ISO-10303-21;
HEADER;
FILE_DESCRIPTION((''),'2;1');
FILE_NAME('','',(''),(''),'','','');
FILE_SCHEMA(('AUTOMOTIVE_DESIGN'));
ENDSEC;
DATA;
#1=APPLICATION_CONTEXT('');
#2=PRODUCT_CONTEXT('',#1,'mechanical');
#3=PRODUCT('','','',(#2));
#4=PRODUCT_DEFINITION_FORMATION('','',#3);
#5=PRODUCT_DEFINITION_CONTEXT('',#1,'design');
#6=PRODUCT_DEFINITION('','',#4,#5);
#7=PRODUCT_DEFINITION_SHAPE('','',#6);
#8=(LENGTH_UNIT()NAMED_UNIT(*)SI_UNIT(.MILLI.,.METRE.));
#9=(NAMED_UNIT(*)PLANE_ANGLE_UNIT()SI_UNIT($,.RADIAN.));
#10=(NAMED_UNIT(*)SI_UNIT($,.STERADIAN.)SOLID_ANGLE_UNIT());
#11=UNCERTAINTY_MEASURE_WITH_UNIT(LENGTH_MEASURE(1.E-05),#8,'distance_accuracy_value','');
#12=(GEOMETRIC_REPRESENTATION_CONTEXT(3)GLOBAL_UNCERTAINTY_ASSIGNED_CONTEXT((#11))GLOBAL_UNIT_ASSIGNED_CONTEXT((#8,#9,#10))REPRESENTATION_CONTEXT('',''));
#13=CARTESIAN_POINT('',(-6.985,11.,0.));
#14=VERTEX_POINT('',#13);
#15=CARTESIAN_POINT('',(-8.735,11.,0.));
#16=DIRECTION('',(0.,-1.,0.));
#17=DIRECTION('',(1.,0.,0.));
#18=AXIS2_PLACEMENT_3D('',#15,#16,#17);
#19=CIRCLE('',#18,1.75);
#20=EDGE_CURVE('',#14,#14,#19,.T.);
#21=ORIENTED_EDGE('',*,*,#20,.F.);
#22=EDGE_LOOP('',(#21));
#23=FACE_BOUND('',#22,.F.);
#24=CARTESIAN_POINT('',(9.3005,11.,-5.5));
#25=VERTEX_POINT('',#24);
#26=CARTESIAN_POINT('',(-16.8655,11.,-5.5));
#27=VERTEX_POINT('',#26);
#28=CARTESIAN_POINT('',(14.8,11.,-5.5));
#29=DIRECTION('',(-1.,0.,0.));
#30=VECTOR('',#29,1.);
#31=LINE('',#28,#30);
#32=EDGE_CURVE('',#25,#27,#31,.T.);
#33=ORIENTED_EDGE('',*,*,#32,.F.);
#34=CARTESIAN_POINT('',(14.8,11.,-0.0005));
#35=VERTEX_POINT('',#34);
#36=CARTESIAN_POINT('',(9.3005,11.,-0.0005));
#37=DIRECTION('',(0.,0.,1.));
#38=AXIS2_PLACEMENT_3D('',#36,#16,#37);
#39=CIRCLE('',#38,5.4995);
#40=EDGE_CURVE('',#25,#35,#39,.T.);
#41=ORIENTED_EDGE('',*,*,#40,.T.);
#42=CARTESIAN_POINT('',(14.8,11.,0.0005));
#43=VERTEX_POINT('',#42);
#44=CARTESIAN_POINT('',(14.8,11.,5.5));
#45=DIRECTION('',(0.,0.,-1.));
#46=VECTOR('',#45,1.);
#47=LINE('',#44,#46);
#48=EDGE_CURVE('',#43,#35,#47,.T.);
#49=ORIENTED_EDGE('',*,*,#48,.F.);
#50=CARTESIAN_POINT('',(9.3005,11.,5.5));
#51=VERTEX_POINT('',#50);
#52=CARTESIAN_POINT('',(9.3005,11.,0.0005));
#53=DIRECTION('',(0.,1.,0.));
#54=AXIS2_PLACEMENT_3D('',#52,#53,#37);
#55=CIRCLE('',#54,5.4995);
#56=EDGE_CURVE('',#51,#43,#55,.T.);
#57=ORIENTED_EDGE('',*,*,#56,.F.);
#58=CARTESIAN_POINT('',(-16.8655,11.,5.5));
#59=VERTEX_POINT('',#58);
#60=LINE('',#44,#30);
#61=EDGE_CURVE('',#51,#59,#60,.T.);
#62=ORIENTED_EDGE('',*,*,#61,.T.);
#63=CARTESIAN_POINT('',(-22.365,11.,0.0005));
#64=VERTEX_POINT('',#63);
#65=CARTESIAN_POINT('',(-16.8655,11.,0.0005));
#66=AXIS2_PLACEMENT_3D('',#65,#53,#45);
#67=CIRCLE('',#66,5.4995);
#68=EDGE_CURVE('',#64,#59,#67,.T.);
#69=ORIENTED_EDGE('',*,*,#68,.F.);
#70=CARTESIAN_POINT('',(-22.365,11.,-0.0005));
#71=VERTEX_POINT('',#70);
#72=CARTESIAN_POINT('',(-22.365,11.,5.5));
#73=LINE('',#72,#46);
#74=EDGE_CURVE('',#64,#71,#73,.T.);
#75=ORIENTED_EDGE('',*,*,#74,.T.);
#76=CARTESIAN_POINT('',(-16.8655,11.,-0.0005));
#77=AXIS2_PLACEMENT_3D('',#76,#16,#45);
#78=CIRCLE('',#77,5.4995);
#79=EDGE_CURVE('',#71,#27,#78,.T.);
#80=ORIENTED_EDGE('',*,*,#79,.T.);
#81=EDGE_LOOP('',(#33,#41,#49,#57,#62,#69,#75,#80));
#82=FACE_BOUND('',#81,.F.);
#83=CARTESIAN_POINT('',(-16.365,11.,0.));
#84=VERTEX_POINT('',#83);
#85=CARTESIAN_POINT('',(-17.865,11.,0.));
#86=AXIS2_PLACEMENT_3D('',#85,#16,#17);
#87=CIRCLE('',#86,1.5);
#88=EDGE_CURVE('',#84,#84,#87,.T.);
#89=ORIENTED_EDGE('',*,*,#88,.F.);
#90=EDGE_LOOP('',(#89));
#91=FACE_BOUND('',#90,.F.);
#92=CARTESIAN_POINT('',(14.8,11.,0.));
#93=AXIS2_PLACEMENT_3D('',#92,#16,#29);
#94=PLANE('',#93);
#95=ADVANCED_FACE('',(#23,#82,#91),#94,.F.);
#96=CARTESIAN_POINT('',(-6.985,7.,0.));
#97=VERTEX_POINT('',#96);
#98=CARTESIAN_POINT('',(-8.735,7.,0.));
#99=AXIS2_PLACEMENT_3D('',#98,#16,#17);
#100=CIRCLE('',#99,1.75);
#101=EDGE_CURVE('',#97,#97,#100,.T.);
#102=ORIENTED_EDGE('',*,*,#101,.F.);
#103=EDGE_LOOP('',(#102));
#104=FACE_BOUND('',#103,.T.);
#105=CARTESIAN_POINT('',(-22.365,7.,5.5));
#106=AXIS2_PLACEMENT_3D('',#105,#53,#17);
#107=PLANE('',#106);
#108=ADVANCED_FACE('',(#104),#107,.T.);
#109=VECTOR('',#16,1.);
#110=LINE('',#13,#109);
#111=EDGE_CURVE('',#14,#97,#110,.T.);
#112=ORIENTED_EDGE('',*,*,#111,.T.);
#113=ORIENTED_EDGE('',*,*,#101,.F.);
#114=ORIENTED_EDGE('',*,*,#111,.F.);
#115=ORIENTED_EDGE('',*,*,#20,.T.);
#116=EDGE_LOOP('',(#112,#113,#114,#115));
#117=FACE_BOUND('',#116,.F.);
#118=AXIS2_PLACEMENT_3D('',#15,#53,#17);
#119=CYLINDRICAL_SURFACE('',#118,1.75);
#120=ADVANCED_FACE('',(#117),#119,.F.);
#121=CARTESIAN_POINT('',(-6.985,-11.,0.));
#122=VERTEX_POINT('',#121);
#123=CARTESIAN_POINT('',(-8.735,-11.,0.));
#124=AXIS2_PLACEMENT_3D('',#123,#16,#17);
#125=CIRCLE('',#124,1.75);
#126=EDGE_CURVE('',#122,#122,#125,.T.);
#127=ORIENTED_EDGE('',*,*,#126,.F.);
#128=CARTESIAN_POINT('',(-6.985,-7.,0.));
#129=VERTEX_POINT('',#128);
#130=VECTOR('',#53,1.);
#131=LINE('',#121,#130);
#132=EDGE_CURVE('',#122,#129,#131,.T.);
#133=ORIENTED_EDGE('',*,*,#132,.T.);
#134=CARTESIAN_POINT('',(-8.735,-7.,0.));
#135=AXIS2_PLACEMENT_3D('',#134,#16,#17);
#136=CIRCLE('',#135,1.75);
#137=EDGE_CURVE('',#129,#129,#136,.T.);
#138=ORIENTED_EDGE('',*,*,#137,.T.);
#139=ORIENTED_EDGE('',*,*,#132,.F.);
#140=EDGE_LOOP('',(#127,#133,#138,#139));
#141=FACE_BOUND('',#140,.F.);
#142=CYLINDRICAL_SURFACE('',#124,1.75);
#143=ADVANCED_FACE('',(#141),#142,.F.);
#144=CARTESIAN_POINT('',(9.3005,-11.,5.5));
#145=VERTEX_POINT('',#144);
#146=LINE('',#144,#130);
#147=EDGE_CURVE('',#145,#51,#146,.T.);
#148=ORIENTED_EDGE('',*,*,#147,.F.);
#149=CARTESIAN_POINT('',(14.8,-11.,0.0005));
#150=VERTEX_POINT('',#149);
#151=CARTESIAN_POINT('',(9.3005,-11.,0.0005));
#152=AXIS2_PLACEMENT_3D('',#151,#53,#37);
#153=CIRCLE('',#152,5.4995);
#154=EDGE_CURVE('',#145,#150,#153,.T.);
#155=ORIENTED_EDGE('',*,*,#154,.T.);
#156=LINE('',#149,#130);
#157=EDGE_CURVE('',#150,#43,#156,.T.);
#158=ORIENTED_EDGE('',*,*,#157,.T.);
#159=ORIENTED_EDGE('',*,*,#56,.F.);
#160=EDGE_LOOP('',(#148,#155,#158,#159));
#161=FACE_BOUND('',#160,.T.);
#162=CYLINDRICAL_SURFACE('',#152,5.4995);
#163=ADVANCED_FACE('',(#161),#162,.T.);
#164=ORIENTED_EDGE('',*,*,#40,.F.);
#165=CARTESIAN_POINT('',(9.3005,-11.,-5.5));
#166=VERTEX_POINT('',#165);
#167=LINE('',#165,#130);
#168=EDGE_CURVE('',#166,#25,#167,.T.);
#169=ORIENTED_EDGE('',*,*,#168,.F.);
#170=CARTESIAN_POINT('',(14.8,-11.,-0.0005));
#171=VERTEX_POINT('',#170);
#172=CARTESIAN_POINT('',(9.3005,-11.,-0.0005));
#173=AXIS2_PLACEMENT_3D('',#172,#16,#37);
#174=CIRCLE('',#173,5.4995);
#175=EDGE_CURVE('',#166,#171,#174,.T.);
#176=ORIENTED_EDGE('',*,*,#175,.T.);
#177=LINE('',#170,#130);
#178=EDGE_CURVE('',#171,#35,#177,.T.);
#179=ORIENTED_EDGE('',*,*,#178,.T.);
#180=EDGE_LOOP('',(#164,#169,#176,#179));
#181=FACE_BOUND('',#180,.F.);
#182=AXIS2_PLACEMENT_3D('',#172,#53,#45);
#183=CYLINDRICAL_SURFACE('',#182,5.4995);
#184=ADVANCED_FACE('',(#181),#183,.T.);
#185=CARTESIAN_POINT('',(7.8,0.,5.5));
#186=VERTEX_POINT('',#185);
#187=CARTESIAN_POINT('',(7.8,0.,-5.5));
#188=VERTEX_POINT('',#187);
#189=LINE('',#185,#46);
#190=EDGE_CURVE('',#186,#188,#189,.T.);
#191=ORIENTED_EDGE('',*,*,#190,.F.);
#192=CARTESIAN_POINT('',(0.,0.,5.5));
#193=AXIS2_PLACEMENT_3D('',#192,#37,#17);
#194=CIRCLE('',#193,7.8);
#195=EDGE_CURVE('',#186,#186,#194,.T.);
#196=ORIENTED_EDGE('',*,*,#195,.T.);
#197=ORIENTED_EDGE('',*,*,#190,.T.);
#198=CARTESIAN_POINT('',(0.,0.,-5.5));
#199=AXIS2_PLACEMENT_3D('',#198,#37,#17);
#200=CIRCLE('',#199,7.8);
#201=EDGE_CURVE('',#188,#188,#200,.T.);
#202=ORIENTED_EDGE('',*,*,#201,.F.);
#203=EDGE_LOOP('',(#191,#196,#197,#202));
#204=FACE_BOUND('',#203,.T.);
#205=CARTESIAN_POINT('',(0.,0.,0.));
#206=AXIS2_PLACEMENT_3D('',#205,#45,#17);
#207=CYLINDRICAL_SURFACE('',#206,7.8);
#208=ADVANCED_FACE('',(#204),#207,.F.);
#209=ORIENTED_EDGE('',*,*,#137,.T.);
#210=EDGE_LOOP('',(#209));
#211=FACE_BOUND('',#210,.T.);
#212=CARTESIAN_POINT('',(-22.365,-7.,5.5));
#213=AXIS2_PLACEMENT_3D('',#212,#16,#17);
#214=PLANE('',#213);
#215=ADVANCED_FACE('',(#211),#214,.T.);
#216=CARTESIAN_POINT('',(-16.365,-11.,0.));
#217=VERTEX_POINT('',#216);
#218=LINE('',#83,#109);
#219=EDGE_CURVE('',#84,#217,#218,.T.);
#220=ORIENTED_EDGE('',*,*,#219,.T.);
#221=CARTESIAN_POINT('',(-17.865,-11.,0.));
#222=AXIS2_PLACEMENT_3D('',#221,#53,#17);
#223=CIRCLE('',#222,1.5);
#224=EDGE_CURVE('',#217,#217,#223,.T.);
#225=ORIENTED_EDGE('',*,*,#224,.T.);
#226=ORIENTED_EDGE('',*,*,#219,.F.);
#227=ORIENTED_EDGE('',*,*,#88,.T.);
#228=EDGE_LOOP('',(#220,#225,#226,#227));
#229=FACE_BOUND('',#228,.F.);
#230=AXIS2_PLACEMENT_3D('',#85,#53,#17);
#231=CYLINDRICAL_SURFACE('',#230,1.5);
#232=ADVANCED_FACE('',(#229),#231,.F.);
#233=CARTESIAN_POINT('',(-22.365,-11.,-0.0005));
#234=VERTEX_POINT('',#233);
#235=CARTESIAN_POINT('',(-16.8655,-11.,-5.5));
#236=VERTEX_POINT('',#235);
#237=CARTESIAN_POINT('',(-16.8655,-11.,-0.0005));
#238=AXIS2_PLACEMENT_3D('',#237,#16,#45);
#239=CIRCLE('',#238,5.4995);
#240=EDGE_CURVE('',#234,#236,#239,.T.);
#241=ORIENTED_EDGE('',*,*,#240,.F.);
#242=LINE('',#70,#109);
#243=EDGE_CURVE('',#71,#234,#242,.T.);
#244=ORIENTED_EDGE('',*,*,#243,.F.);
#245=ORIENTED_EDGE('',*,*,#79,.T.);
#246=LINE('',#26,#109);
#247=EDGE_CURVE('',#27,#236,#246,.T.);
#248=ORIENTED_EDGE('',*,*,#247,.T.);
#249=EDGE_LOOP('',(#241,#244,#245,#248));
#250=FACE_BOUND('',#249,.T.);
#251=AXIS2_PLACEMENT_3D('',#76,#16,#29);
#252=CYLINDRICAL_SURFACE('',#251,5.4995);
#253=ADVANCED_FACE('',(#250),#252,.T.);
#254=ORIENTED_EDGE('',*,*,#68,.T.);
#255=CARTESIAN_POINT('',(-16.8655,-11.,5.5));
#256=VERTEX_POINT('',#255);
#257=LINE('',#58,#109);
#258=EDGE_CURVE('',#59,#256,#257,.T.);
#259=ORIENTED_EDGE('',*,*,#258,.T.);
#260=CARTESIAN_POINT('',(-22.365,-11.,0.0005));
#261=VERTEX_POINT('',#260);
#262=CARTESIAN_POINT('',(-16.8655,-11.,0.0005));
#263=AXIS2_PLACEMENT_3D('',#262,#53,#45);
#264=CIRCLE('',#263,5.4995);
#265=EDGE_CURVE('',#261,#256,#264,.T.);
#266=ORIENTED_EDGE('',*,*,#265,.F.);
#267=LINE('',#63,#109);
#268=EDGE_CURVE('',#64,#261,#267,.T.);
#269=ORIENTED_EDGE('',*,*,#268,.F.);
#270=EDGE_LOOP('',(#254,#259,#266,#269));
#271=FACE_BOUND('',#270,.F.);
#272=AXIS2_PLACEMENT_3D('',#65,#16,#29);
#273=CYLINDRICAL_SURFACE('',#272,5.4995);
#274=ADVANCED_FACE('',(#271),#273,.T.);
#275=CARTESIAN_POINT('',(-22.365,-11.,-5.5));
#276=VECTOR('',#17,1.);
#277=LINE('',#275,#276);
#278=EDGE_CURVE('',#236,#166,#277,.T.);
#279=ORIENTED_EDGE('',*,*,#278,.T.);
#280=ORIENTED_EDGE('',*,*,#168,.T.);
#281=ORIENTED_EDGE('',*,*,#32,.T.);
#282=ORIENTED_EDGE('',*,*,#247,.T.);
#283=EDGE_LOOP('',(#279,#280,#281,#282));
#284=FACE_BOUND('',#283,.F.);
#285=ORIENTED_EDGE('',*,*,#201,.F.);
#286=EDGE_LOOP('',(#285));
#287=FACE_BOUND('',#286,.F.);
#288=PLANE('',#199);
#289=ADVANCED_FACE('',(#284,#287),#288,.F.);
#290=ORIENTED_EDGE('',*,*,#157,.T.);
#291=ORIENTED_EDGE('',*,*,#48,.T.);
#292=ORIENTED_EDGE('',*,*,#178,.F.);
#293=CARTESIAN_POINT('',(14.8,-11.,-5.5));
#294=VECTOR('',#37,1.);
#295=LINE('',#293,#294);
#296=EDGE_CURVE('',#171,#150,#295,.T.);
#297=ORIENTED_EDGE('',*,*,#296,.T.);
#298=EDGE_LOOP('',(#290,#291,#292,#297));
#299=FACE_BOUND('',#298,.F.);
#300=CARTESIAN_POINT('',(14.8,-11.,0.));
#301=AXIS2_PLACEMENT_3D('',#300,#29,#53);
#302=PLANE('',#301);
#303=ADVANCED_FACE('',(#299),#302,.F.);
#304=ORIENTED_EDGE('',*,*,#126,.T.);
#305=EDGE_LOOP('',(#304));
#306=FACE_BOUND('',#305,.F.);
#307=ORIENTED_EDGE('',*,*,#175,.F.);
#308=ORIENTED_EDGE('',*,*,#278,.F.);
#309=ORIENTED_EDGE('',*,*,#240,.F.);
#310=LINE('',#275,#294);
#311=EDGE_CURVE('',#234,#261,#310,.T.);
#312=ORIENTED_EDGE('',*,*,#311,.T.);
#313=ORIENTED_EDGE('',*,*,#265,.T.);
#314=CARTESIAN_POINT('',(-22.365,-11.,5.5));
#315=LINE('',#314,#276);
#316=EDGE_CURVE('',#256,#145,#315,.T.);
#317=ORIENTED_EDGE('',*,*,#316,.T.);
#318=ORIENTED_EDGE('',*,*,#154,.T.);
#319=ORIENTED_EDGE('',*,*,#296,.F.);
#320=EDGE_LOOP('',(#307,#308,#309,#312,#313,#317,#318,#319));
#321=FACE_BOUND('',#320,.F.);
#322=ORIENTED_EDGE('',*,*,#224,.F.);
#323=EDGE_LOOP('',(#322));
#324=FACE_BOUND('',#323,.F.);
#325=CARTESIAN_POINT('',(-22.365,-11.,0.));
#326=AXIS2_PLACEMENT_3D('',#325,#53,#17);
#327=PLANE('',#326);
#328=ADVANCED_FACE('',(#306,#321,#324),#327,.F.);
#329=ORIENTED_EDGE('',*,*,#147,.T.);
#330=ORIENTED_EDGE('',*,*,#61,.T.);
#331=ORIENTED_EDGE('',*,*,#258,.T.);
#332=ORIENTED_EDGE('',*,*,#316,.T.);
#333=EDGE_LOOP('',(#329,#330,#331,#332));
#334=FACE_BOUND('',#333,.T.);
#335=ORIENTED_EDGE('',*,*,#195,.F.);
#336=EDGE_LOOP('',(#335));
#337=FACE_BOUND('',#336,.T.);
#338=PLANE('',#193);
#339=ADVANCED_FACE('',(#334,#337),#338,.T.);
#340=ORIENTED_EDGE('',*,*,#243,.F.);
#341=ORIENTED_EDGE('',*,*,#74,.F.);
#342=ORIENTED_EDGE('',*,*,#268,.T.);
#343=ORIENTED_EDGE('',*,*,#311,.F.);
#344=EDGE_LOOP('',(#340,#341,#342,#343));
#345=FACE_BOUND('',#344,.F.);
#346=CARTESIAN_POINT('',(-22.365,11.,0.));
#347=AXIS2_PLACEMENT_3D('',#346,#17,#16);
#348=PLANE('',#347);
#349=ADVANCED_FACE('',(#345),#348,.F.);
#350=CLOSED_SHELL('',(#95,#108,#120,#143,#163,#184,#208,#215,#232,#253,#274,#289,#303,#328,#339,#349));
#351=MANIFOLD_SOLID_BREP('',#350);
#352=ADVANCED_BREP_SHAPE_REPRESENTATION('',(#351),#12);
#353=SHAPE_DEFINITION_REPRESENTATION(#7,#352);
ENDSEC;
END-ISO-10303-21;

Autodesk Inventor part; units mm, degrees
ref_plane "YZ Plane" through (0, 0, 0) normal (1, 0, 0) x (0, 1, 0)
ref_plane "XZ Plane" through (0, 0, 0) normal (0, 1, 0) x (-1, 0, 0)
ref_plane "XY Plane" through (0, 0, 0) normal (0, 0, 1) x (1, 0, 0)
sketch "Sketch1" plane through (0, 0, 0) normal (0, 0, 1) x (1, 0, 0)
  circle A0 centre (0, 0) radius 7.8
  line L0 (0, 0) -> (-8.735, 0) construction
  line L1 (0, 0) -> (-17.865, 0) construction
  line L2 (-8.735, 0) -> (-8.735, 11) construction
  line L3 (-8.735, 0) -> (-8.735, -11) construction
  line L4 (-17.865, 0) -> (-17.865, -11) construction
  line L5 (-17.865, 0) -> (-17.865, 11) construction
  line L6 (7.8, 0) -> (14.8, 0) construction
  line L7 (-17.865, 0) -> (-22.365, 0) construction
  line L8 (-22.365, -11) -> (14.8, -11)
  line L9 (14.8, -11) -> (14.8, 11)
  line L10 (14.8, 11) -> (-22.365, 11)
  line L11 (-22.365, 11) -> (-22.365, -11)
  dimension "d0" = 15.6
  dimension "d1" = 8.735
  dimension "d2" = 17.865
  dimension "d3" = 11
  dimension "d4" = 11
  dimension "d5" = 11
  dimension "d6" = 11
  dimension "d7" = 7
  dimension "d8" = 4.5
  dimension "d23" = 37.165
extrude "Extrusion1" add sketch "Sketch1" along normal mid plane 11
sketch "Sketch2" plane through (-22.365, 11, 5.5) normal (0, 1, 0) x (1, 0, 0)
  line L0 (0, 11) -> (0, 0) projected
  line L1 (0, 5.5) -> (4.5, 5.5)
  line L2 (4.5, 5.5) -> (13.63, 5.5)
  circle A0 centre (4.5, 5.5) radius 1.5
  circle A1 centre (13.63, 5.5) radius 1.75
  point P0 (22.365, 5.5)
  dimension "d11" = 4.5
  dimension "d13" = 9.13
  dimension "d14" = 3
  dimension "d15" = 3.5
extrude "Extrusion2" cut sketch "Sketch2" against normal up to next contours A0 L2 L1 | L1 L2 A0
extrude "Extrusion3" cut sketch "Sketch2" against normal blind 4 contours A1
sketch "Sketch3" plane through (-22.365, -11, 5.5) normal (0, -1, 0) x (1, 0, 0)
  circle A0 centre (13.63, -5.5) radius 1.75 projected
  circle A1 centre (13.63, -5.5) radius 1.75
  point P0 (22.365, -5.5)
extrude "Extrusion4" cut sketch "Sketch3" against normal blind 4
fillet "Fillet1" radius 5.5 4 edges at (-22.365, 0, 5.5) (14.8, 0, 5.5) (14.8, 0, -5.5) (-22.365, 0, -5.5)
equation "\"d23\" = d2 + d7 + 0.5 * d0 + d8"
properties part number "Reworked - PlateArmClip22mm"
